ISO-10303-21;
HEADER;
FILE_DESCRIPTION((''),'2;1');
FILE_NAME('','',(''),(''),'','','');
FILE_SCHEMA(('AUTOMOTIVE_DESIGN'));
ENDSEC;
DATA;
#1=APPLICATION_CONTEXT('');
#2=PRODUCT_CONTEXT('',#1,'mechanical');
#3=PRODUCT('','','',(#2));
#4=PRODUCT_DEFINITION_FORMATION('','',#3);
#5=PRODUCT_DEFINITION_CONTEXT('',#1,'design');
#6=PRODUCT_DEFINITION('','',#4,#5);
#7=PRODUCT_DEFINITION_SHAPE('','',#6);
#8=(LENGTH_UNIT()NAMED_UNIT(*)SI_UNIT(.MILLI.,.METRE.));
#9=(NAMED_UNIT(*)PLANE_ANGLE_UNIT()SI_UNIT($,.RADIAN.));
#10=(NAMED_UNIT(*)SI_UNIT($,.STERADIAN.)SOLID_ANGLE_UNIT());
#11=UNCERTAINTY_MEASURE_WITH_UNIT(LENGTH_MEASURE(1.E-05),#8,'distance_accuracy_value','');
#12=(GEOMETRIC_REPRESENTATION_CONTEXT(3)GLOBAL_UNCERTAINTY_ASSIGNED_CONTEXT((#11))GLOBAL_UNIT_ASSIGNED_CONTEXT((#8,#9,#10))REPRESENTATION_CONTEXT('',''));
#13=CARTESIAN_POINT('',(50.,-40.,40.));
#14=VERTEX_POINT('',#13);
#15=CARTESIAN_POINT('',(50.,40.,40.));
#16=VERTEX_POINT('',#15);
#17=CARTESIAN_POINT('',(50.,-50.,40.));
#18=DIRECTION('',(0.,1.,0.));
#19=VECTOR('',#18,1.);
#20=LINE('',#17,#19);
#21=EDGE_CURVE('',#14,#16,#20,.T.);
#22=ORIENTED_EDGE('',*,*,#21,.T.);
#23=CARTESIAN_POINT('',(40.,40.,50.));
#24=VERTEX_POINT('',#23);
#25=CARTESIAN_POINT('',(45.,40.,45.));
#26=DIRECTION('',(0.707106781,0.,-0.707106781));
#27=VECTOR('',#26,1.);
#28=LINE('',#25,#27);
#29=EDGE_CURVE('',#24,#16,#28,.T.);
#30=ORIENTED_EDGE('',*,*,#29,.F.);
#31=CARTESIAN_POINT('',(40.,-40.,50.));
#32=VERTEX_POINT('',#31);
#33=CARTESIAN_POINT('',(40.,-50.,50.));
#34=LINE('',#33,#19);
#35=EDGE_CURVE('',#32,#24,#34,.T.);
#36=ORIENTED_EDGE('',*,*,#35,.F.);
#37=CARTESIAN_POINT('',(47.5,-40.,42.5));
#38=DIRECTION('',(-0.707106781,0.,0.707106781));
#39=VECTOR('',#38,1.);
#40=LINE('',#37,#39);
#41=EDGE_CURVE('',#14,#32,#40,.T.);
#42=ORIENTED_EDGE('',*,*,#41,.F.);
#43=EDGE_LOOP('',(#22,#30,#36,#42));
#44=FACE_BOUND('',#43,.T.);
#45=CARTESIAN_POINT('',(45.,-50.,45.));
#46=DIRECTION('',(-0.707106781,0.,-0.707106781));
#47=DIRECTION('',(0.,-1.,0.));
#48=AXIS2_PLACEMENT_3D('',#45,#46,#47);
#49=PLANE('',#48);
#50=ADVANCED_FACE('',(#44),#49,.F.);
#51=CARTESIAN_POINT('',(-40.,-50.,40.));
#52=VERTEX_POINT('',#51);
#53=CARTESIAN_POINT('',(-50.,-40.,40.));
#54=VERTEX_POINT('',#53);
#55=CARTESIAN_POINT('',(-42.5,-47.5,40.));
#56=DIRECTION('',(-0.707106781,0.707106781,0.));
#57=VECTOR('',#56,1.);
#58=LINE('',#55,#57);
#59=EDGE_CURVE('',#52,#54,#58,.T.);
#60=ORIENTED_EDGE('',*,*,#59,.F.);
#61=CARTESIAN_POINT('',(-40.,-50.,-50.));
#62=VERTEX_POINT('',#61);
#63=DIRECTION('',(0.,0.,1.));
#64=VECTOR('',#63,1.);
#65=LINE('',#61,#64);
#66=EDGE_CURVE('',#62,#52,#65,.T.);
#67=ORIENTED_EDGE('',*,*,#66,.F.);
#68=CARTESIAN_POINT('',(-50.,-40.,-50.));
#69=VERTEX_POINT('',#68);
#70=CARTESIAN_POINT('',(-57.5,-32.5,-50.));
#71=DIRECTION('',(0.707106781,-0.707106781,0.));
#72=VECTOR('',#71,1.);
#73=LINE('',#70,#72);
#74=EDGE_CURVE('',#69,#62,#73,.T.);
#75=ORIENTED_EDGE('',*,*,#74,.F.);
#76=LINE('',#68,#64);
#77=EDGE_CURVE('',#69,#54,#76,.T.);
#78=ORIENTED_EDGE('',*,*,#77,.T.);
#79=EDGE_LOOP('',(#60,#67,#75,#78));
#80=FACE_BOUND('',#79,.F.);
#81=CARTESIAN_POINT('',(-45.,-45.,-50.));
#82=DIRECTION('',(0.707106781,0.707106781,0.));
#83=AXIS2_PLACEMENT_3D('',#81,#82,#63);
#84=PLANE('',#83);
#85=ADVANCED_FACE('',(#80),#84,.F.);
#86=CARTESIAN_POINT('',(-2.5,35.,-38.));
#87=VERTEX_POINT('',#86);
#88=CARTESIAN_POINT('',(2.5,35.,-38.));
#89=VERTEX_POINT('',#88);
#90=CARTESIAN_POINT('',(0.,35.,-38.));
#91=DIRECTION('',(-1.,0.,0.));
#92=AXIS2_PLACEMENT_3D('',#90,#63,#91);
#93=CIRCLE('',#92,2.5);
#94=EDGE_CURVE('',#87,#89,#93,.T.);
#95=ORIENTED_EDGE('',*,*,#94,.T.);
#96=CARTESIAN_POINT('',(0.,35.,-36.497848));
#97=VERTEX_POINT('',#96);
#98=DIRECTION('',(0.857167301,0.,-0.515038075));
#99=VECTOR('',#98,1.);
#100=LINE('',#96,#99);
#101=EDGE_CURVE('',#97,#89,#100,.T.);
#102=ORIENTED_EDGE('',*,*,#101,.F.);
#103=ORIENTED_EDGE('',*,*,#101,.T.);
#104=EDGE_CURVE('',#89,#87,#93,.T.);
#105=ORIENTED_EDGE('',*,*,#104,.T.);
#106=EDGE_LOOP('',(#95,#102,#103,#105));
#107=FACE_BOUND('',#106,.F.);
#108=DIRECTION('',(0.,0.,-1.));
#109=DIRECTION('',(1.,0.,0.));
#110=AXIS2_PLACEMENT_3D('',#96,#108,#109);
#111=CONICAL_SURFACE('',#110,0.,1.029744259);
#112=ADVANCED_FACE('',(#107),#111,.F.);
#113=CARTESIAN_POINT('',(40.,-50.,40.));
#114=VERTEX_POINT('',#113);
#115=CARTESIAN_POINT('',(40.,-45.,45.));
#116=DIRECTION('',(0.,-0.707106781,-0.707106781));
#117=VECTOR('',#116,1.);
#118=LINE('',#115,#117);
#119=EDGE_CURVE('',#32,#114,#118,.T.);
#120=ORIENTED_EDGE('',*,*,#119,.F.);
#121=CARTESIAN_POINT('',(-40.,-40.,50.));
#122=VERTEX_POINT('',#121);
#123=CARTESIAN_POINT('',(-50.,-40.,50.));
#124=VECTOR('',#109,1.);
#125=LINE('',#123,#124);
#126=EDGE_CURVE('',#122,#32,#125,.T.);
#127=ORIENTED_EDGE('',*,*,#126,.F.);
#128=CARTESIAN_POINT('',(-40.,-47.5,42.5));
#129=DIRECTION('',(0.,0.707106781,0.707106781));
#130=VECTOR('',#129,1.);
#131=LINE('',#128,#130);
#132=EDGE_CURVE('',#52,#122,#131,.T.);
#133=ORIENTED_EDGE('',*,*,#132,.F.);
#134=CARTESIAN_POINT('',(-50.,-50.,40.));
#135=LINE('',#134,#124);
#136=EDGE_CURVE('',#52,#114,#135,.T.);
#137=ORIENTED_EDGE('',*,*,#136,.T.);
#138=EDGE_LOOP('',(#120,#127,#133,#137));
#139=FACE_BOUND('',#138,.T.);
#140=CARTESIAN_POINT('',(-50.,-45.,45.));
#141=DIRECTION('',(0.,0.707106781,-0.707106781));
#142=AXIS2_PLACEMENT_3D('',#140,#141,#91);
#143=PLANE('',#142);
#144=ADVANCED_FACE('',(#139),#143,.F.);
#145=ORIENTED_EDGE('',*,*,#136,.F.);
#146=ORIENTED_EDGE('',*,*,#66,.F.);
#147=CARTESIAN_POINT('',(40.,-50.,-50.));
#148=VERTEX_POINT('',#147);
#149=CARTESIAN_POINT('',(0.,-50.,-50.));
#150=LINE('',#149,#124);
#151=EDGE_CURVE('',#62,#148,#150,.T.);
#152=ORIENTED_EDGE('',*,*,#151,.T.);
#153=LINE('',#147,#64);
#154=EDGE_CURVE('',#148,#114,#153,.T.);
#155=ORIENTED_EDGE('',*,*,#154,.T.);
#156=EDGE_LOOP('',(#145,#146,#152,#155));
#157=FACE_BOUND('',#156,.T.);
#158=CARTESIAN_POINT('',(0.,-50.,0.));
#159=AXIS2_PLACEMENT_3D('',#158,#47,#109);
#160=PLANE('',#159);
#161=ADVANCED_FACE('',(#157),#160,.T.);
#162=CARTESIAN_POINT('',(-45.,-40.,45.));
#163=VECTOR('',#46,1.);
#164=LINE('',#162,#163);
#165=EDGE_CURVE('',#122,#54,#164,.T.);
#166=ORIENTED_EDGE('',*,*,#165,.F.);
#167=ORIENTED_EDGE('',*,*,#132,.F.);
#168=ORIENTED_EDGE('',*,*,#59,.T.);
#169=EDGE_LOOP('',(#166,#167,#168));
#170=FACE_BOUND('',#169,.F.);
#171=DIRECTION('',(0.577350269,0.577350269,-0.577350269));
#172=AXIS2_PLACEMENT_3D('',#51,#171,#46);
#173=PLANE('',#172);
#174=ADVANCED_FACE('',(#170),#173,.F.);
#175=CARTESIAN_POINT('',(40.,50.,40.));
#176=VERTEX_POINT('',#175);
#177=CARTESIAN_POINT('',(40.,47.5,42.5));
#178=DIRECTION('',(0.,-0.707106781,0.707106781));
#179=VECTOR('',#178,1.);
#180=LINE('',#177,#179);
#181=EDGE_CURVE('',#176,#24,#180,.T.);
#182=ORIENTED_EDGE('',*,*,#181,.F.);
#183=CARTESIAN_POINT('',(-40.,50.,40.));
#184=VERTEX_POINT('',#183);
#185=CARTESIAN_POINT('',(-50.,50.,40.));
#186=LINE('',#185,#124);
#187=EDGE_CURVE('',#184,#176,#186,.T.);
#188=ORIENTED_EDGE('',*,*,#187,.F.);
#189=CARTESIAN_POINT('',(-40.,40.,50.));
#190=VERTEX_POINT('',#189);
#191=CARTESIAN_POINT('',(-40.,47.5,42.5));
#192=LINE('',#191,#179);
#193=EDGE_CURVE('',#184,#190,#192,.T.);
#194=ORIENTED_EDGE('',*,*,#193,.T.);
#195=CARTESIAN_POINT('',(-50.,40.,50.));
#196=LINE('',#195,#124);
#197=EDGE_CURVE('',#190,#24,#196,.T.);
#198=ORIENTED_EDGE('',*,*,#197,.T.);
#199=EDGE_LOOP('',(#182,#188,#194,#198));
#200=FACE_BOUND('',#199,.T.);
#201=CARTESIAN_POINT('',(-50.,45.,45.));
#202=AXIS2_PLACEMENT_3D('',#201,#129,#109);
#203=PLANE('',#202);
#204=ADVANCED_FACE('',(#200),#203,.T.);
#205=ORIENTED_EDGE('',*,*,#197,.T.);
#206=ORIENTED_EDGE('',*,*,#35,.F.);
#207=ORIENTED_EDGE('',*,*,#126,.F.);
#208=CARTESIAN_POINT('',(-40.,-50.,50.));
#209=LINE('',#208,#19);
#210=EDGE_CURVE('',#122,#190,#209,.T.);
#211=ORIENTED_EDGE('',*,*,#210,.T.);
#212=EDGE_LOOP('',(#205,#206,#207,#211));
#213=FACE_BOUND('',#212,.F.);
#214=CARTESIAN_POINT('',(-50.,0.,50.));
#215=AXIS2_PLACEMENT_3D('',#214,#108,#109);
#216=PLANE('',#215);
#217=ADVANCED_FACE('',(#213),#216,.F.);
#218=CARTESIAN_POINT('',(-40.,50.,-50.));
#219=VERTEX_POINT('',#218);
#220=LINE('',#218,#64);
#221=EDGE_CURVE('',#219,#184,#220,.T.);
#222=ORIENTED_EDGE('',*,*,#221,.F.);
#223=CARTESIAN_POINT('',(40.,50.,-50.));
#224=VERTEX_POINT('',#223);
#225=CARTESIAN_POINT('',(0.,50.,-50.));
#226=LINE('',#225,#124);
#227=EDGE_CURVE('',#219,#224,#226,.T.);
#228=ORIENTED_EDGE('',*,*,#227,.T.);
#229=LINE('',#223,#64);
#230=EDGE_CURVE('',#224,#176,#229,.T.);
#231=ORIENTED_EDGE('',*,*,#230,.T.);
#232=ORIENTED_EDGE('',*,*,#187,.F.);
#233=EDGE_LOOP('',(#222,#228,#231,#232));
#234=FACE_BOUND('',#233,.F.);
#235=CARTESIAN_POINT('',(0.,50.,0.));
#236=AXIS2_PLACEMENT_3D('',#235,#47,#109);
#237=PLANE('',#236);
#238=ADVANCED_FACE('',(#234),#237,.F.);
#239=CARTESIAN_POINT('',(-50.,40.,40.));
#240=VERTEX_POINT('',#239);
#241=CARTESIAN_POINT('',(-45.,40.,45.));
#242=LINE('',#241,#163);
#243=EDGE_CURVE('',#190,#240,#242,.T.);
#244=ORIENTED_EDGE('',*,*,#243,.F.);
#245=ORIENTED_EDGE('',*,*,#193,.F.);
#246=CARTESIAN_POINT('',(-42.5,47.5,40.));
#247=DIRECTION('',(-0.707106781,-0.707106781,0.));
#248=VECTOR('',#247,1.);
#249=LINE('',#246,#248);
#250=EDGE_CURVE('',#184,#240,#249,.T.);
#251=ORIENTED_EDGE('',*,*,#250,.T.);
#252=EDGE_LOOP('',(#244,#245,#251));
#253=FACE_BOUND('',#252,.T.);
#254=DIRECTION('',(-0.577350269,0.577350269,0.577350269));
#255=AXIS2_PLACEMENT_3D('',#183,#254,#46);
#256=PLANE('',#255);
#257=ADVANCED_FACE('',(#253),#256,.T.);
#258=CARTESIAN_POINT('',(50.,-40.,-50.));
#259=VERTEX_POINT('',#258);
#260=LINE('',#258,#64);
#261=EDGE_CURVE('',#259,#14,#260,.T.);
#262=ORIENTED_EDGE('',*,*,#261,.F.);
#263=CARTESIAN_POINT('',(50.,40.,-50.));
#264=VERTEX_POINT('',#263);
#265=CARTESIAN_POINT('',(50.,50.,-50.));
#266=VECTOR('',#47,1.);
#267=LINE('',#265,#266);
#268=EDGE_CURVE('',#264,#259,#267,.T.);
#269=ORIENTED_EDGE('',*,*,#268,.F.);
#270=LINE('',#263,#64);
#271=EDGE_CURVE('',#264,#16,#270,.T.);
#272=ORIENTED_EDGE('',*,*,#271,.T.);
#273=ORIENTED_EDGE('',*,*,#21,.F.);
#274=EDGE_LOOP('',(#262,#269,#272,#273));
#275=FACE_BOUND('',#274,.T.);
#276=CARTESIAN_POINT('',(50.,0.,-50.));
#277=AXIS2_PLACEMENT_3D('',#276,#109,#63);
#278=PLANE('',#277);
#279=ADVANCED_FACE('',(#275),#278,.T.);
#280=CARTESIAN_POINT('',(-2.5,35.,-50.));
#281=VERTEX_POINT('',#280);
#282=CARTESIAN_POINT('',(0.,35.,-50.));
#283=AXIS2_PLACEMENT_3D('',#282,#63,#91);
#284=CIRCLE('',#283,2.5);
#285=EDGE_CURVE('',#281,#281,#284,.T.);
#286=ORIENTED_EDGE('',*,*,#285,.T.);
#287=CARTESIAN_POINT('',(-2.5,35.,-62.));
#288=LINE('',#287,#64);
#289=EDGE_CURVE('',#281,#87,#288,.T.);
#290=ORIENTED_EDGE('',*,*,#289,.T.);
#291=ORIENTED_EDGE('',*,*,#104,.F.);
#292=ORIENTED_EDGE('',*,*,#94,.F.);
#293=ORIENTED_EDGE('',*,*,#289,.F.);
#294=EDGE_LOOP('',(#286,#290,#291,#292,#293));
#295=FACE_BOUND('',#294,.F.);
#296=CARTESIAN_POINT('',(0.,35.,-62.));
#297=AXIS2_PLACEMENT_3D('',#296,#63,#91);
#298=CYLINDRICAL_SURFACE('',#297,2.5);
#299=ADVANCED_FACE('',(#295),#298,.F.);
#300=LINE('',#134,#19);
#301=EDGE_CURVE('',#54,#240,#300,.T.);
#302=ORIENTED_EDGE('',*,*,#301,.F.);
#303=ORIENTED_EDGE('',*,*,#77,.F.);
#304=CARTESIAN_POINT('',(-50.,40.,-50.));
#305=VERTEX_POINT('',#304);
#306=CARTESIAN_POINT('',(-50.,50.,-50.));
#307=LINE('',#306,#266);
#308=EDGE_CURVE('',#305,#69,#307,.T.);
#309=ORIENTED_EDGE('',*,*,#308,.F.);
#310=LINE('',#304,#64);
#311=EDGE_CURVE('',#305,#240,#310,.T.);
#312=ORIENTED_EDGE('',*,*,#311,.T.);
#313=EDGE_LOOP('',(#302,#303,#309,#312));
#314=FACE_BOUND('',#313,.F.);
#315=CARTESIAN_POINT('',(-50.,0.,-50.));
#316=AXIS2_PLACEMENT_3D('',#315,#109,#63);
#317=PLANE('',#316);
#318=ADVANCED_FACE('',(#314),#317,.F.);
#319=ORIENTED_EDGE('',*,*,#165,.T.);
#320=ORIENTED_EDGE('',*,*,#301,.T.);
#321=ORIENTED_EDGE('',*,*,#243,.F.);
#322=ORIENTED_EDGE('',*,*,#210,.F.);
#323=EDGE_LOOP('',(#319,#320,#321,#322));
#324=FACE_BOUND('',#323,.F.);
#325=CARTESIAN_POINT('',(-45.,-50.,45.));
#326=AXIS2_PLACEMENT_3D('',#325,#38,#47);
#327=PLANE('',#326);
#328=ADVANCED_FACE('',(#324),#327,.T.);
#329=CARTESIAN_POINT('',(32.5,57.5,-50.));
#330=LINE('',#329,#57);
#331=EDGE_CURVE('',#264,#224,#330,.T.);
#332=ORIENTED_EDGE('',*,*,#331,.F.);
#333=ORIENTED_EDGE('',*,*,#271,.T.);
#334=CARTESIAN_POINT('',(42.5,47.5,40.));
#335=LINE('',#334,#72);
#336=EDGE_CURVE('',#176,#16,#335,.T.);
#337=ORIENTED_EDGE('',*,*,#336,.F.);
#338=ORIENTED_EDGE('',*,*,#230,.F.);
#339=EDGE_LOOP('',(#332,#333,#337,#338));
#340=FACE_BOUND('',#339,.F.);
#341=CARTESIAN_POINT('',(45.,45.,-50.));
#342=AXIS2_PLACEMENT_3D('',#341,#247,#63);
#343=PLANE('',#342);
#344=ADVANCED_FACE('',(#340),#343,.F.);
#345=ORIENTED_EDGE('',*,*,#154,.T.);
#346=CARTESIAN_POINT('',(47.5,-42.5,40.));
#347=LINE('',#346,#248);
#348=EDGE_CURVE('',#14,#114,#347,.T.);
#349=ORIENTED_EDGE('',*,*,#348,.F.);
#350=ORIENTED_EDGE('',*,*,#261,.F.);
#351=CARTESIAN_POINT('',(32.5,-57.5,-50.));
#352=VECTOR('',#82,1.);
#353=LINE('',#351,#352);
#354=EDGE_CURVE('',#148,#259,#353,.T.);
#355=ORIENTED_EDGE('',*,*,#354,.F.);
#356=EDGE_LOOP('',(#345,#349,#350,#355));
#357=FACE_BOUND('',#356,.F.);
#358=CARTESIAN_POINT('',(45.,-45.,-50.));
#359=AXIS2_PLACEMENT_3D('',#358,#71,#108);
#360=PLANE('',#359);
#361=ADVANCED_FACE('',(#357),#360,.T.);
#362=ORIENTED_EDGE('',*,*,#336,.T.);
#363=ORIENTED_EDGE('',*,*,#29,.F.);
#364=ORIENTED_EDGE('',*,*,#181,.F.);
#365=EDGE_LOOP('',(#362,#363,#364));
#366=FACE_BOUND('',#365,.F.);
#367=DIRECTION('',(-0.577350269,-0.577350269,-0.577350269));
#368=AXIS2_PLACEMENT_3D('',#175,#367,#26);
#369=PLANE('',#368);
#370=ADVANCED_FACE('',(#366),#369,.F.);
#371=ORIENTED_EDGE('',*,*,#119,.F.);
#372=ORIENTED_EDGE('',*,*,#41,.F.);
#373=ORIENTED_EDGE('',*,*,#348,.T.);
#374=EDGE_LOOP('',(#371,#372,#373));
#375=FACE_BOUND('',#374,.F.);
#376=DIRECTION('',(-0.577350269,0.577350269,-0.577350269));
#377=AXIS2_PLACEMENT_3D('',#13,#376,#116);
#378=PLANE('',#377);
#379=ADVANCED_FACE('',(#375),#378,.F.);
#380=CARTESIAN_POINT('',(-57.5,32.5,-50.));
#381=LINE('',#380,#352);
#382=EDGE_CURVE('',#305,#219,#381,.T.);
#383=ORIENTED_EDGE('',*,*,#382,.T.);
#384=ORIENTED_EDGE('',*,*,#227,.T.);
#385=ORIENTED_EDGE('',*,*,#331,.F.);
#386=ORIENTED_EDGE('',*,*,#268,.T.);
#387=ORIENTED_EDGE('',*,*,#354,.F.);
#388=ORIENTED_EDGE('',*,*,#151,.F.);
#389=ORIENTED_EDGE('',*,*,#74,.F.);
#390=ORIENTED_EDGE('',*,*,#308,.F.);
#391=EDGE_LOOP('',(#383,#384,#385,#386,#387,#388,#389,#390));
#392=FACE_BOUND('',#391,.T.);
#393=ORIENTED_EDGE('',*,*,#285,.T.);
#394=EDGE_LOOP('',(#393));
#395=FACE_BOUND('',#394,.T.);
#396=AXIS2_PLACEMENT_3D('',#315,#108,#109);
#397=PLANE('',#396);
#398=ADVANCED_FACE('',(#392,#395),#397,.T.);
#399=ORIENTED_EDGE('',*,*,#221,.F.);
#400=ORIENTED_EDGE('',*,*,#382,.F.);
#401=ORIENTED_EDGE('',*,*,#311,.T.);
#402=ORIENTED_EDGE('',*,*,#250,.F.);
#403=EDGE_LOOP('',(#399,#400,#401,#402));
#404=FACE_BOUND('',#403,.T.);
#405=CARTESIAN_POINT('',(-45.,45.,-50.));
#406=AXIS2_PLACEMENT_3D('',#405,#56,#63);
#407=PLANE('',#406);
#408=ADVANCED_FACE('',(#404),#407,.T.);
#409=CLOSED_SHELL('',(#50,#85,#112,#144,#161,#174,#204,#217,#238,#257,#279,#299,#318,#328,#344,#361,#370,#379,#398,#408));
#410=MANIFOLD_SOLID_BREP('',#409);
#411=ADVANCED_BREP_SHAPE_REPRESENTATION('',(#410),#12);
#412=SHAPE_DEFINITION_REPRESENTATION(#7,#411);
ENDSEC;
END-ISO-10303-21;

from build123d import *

# Parameters (mm, degrees)
F0_W     = 100
F0_H     = 100
F1_DEPTH = 50
F2_SIZE  = 10
F4_D     = 5
F4_DEPTH = 12
F4_TIP   = 1.5021515476


with BuildPart() as f1:
    # F0 (on Front) → F1 (new body, symmetric)
    with BuildSketch(Plane.XZ):
        Rectangle(F0_W, F0_H)
    extrude(amount=F1_DEPTH, both=True)

    # F2
    f2_edges = [f1.edges().sort_by_distance(p)[0] for p in [
        (-50, 0, 50),
        (0, -50, 50),
        (50, 0, 50),
        (0, 50, 50),
        (50, -50, 0),
        (50, 50, 0),
        (-50, 50, 0),
        (-50, -50, 0),
    ]]
    chamfer(f2_edges, length=F2_SIZE)

    # F4
    with Locations(Plane(origin=(0, 0, -50), x_dir=(1, 0, 0), z_dir=(0, 0, -1))):
        with Locations((0, -35)):
            Hole(F4_D / 2, depth=F4_DEPTH)
            with Locations((0, 0, -(F4_DEPTH + F4_TIP / 2))):  # 118° drill point
                Cone(0, F4_D / 2, F4_TIP, mode=Mode.SUBTRACT)


solid = f1.part
